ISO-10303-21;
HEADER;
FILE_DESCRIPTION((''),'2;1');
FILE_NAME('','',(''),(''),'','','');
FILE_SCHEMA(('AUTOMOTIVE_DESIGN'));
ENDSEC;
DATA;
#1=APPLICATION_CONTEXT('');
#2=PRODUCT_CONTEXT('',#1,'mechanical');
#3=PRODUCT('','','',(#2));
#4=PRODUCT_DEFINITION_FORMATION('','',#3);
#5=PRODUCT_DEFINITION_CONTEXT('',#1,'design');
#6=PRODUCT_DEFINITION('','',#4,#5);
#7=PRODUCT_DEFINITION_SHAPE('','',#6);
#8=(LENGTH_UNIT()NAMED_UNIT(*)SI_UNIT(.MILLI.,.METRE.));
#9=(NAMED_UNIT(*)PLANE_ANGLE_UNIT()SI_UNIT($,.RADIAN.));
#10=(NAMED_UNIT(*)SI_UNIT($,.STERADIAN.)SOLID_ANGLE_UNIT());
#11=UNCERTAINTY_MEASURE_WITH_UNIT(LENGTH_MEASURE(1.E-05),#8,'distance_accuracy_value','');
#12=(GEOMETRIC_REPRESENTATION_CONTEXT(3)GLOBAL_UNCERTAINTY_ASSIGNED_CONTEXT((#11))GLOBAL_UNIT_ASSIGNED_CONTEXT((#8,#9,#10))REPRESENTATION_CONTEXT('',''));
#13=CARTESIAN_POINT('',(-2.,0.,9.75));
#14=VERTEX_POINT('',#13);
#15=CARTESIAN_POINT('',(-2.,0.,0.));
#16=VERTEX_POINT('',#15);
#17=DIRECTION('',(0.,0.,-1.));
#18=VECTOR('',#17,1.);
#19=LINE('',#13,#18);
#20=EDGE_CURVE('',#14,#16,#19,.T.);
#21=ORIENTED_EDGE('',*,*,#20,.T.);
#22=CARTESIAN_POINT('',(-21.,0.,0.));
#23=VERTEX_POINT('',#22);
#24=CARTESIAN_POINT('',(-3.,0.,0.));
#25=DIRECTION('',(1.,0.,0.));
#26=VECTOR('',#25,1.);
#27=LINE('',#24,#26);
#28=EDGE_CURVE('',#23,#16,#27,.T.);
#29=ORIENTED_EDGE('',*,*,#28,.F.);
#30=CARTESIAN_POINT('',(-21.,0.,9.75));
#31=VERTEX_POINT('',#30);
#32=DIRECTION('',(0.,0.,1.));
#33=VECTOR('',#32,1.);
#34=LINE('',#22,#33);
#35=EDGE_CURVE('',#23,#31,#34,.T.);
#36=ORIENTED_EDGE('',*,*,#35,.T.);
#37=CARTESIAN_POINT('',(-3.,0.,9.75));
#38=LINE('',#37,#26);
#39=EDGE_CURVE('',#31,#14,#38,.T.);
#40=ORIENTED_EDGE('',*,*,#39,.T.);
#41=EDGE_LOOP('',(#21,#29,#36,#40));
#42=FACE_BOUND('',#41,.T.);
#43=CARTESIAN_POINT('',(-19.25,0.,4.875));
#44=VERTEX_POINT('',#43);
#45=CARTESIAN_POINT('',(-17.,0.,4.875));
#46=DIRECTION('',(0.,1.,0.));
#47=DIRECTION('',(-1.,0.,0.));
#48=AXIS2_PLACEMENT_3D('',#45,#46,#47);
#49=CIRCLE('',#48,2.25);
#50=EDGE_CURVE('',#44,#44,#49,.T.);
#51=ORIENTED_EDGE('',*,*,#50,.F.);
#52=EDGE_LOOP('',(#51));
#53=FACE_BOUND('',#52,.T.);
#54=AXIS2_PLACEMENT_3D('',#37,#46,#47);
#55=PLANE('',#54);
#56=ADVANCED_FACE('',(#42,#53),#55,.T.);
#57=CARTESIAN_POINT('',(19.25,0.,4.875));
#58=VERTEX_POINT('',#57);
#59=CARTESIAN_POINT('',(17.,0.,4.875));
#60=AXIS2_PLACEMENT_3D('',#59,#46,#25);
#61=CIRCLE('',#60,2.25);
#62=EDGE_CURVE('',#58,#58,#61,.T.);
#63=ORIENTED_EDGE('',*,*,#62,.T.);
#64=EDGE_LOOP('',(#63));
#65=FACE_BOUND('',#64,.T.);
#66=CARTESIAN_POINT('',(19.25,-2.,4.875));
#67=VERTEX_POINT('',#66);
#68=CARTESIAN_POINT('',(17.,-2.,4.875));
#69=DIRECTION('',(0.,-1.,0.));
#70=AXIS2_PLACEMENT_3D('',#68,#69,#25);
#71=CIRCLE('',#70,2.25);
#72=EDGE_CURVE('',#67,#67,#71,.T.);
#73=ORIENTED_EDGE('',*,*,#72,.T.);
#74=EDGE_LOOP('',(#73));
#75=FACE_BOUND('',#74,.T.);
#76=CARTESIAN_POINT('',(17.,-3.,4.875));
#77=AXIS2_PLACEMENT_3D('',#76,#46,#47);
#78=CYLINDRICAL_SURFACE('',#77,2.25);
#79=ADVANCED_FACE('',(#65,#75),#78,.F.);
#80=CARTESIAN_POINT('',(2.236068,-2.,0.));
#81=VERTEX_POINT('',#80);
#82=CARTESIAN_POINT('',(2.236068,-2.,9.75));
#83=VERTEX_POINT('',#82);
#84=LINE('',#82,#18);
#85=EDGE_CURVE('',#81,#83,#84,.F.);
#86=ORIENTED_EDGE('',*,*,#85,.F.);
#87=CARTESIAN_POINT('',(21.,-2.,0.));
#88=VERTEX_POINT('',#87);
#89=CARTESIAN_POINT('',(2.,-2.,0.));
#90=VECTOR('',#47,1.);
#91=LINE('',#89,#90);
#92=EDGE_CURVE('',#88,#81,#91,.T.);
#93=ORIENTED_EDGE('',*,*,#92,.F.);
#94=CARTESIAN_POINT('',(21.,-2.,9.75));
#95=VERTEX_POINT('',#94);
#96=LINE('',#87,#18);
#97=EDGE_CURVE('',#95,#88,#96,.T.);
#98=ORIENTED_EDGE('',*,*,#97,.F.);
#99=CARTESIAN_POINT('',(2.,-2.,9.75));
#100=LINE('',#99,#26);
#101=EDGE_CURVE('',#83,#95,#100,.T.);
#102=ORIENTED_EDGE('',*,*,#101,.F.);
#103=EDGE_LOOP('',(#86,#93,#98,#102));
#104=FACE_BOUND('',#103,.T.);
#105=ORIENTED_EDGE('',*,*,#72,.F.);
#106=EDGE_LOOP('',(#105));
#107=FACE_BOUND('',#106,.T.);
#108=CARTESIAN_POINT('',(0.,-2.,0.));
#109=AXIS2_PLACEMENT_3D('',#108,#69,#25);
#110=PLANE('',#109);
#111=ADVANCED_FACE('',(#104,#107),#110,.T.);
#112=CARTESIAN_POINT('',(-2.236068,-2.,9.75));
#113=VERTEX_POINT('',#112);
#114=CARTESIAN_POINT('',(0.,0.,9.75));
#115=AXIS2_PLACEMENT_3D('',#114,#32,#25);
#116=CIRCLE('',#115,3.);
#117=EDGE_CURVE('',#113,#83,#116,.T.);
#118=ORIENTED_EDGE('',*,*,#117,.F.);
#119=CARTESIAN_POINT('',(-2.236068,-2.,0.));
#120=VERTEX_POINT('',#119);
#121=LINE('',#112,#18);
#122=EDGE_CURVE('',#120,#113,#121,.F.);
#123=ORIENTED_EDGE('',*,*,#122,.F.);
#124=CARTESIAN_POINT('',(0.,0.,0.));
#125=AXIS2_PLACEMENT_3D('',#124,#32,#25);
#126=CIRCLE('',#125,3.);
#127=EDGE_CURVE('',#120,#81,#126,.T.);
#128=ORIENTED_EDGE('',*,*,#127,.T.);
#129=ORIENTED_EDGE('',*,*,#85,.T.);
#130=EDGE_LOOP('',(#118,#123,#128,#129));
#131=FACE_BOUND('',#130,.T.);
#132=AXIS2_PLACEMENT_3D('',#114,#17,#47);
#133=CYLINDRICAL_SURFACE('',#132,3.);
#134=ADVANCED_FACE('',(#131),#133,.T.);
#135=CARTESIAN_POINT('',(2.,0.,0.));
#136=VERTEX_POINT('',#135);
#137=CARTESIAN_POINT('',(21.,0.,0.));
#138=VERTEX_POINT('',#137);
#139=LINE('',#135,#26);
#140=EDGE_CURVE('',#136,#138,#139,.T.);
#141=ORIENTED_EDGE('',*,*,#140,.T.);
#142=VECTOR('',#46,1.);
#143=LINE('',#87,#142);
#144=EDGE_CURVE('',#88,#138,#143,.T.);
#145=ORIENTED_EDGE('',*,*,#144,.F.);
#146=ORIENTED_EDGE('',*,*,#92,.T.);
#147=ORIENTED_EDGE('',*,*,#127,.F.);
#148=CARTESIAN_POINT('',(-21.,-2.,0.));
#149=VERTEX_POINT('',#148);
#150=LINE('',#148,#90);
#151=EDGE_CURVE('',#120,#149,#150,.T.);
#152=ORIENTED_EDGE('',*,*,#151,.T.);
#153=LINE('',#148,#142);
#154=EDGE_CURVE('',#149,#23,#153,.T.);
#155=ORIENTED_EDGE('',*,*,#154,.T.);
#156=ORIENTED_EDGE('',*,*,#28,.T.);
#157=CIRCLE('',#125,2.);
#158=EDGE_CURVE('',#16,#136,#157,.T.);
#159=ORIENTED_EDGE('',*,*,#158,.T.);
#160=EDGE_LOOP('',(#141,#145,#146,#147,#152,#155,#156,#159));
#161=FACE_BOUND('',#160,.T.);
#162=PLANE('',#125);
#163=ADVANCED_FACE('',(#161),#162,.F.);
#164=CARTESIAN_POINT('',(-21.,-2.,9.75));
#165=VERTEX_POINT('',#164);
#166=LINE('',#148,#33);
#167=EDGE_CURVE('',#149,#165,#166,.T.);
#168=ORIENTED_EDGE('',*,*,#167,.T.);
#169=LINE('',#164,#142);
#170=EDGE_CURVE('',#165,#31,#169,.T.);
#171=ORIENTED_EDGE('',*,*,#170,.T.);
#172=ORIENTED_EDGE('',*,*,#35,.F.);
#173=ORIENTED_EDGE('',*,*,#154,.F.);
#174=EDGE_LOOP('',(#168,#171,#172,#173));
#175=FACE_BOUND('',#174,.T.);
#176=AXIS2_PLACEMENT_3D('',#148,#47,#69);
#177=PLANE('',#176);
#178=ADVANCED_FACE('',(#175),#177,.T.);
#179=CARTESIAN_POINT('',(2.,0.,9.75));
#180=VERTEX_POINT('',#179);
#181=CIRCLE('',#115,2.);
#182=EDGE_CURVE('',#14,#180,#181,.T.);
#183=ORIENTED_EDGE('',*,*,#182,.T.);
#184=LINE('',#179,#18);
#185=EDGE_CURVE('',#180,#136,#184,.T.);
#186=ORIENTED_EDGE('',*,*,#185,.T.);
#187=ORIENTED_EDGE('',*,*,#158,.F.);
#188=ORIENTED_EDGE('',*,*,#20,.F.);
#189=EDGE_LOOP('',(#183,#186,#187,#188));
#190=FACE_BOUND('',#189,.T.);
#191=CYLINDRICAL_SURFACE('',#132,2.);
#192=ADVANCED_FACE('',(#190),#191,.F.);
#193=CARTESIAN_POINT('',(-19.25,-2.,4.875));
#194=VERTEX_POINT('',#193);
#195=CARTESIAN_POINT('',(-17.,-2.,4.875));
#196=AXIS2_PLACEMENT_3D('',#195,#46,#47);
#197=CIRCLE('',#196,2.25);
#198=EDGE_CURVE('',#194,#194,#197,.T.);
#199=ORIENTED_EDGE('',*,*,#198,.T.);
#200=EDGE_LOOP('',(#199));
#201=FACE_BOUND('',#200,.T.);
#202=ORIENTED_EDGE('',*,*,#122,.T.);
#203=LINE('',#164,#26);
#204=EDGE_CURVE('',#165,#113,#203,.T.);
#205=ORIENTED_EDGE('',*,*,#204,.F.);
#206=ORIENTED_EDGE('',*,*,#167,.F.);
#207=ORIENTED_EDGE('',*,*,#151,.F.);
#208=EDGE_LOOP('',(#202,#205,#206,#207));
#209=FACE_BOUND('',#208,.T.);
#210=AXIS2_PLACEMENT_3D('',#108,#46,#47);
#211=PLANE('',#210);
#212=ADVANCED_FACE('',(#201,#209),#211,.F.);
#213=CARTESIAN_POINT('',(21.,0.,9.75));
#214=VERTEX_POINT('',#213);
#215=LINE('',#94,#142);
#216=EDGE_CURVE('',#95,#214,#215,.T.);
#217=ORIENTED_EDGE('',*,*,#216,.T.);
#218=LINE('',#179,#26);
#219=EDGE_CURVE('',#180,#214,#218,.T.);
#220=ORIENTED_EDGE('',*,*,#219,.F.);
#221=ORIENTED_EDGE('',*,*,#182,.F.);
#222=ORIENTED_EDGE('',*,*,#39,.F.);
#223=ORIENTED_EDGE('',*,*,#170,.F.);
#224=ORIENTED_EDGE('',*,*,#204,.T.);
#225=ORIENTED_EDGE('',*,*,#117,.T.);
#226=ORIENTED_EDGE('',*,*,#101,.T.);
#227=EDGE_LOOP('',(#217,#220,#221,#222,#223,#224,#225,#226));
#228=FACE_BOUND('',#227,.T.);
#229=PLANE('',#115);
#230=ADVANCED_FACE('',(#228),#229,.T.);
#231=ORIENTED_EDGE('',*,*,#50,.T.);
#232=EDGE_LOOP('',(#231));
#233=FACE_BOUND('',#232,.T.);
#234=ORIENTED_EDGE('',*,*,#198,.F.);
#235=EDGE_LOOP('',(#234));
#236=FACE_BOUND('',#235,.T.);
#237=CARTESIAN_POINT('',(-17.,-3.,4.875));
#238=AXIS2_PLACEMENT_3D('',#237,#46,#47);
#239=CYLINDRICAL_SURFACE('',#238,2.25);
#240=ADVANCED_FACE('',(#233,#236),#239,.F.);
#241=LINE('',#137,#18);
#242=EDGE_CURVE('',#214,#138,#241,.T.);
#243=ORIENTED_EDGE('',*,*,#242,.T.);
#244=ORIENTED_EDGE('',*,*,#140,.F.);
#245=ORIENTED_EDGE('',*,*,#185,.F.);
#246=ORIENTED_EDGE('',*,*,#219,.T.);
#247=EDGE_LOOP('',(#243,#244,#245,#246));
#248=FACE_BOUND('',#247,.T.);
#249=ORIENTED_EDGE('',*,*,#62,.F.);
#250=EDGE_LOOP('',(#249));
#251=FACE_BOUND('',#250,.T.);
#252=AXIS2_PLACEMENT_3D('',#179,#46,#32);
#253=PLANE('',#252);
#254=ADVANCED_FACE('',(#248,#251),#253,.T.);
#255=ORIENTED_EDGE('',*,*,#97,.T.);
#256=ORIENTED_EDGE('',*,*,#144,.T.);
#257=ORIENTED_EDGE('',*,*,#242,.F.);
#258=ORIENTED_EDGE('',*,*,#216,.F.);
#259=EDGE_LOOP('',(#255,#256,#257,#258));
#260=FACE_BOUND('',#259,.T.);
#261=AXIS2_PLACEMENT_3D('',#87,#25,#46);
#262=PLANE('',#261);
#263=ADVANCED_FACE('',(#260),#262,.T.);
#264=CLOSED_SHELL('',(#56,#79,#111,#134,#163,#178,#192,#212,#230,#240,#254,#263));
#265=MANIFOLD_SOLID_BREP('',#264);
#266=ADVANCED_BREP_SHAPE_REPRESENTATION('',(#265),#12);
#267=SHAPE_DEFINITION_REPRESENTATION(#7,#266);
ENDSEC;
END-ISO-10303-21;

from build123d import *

# Parameters (mm, degrees)
EXTRUDE_THIN1_DEPTH = 9.75
SKETCH3_W           = 19
SKETCH3_H           = 9.75
BOSS_EXTRUDE1_DEPTH = 2
SKETCH4_R           = 2.25
CUT_EXTRUDE1_DEPTH  = 24.346573624


with BuildPart() as part:
    # Sketch1 → Extrude-Thin1 (new body)
    with BuildSketch(Plane.XY):
        with BuildLine():
            ThreePointArc((-2, 0), (0, -2), (2, 0))
            Line((2, 0), (3, 0))
            ThreePointArc((3, 0), (0, -3), (-3, 0))
            Line((-3, 0), (-2, 0))
        make_face()
    extrude(amount=EXTRUDE_THIN1_DEPTH)

    # Sketch3 → Boss-Extrude1 (add)
    with BuildSketch(Plane(origin=(0, 0, 0), x_dir=(1, 0, 0), z_dir=(0, 1, 0))):
        with Locations((-11.5, -4.875)):
            Rectangle(SKETCH3_W, SKETCH3_H)
        with Locations((11.5, -4.875)):
            Rectangle(SKETCH3_W, SKETCH3_H)
    extrude(amount=-BOSS_EXTRUDE1_DEPTH)

    # Sketch4 → Cut-Extrude1 (cut, through all)
    with BuildSketch(Plane(origin=(0, 0, 0), x_dir=(1, 0, 0), z_dir=(0, 1, 0))):
        with Locations(Location((-17, -4.875, 0), (0, 0, 180))):
            Circle(SKETCH4_R)
        with Locations((17, -4.875)):
            Circle(SKETCH4_R)
    extrude(amount=-CUT_EXTRUDE1_DEPTH, mode=Mode.SUBTRACT)


solid = part.part
